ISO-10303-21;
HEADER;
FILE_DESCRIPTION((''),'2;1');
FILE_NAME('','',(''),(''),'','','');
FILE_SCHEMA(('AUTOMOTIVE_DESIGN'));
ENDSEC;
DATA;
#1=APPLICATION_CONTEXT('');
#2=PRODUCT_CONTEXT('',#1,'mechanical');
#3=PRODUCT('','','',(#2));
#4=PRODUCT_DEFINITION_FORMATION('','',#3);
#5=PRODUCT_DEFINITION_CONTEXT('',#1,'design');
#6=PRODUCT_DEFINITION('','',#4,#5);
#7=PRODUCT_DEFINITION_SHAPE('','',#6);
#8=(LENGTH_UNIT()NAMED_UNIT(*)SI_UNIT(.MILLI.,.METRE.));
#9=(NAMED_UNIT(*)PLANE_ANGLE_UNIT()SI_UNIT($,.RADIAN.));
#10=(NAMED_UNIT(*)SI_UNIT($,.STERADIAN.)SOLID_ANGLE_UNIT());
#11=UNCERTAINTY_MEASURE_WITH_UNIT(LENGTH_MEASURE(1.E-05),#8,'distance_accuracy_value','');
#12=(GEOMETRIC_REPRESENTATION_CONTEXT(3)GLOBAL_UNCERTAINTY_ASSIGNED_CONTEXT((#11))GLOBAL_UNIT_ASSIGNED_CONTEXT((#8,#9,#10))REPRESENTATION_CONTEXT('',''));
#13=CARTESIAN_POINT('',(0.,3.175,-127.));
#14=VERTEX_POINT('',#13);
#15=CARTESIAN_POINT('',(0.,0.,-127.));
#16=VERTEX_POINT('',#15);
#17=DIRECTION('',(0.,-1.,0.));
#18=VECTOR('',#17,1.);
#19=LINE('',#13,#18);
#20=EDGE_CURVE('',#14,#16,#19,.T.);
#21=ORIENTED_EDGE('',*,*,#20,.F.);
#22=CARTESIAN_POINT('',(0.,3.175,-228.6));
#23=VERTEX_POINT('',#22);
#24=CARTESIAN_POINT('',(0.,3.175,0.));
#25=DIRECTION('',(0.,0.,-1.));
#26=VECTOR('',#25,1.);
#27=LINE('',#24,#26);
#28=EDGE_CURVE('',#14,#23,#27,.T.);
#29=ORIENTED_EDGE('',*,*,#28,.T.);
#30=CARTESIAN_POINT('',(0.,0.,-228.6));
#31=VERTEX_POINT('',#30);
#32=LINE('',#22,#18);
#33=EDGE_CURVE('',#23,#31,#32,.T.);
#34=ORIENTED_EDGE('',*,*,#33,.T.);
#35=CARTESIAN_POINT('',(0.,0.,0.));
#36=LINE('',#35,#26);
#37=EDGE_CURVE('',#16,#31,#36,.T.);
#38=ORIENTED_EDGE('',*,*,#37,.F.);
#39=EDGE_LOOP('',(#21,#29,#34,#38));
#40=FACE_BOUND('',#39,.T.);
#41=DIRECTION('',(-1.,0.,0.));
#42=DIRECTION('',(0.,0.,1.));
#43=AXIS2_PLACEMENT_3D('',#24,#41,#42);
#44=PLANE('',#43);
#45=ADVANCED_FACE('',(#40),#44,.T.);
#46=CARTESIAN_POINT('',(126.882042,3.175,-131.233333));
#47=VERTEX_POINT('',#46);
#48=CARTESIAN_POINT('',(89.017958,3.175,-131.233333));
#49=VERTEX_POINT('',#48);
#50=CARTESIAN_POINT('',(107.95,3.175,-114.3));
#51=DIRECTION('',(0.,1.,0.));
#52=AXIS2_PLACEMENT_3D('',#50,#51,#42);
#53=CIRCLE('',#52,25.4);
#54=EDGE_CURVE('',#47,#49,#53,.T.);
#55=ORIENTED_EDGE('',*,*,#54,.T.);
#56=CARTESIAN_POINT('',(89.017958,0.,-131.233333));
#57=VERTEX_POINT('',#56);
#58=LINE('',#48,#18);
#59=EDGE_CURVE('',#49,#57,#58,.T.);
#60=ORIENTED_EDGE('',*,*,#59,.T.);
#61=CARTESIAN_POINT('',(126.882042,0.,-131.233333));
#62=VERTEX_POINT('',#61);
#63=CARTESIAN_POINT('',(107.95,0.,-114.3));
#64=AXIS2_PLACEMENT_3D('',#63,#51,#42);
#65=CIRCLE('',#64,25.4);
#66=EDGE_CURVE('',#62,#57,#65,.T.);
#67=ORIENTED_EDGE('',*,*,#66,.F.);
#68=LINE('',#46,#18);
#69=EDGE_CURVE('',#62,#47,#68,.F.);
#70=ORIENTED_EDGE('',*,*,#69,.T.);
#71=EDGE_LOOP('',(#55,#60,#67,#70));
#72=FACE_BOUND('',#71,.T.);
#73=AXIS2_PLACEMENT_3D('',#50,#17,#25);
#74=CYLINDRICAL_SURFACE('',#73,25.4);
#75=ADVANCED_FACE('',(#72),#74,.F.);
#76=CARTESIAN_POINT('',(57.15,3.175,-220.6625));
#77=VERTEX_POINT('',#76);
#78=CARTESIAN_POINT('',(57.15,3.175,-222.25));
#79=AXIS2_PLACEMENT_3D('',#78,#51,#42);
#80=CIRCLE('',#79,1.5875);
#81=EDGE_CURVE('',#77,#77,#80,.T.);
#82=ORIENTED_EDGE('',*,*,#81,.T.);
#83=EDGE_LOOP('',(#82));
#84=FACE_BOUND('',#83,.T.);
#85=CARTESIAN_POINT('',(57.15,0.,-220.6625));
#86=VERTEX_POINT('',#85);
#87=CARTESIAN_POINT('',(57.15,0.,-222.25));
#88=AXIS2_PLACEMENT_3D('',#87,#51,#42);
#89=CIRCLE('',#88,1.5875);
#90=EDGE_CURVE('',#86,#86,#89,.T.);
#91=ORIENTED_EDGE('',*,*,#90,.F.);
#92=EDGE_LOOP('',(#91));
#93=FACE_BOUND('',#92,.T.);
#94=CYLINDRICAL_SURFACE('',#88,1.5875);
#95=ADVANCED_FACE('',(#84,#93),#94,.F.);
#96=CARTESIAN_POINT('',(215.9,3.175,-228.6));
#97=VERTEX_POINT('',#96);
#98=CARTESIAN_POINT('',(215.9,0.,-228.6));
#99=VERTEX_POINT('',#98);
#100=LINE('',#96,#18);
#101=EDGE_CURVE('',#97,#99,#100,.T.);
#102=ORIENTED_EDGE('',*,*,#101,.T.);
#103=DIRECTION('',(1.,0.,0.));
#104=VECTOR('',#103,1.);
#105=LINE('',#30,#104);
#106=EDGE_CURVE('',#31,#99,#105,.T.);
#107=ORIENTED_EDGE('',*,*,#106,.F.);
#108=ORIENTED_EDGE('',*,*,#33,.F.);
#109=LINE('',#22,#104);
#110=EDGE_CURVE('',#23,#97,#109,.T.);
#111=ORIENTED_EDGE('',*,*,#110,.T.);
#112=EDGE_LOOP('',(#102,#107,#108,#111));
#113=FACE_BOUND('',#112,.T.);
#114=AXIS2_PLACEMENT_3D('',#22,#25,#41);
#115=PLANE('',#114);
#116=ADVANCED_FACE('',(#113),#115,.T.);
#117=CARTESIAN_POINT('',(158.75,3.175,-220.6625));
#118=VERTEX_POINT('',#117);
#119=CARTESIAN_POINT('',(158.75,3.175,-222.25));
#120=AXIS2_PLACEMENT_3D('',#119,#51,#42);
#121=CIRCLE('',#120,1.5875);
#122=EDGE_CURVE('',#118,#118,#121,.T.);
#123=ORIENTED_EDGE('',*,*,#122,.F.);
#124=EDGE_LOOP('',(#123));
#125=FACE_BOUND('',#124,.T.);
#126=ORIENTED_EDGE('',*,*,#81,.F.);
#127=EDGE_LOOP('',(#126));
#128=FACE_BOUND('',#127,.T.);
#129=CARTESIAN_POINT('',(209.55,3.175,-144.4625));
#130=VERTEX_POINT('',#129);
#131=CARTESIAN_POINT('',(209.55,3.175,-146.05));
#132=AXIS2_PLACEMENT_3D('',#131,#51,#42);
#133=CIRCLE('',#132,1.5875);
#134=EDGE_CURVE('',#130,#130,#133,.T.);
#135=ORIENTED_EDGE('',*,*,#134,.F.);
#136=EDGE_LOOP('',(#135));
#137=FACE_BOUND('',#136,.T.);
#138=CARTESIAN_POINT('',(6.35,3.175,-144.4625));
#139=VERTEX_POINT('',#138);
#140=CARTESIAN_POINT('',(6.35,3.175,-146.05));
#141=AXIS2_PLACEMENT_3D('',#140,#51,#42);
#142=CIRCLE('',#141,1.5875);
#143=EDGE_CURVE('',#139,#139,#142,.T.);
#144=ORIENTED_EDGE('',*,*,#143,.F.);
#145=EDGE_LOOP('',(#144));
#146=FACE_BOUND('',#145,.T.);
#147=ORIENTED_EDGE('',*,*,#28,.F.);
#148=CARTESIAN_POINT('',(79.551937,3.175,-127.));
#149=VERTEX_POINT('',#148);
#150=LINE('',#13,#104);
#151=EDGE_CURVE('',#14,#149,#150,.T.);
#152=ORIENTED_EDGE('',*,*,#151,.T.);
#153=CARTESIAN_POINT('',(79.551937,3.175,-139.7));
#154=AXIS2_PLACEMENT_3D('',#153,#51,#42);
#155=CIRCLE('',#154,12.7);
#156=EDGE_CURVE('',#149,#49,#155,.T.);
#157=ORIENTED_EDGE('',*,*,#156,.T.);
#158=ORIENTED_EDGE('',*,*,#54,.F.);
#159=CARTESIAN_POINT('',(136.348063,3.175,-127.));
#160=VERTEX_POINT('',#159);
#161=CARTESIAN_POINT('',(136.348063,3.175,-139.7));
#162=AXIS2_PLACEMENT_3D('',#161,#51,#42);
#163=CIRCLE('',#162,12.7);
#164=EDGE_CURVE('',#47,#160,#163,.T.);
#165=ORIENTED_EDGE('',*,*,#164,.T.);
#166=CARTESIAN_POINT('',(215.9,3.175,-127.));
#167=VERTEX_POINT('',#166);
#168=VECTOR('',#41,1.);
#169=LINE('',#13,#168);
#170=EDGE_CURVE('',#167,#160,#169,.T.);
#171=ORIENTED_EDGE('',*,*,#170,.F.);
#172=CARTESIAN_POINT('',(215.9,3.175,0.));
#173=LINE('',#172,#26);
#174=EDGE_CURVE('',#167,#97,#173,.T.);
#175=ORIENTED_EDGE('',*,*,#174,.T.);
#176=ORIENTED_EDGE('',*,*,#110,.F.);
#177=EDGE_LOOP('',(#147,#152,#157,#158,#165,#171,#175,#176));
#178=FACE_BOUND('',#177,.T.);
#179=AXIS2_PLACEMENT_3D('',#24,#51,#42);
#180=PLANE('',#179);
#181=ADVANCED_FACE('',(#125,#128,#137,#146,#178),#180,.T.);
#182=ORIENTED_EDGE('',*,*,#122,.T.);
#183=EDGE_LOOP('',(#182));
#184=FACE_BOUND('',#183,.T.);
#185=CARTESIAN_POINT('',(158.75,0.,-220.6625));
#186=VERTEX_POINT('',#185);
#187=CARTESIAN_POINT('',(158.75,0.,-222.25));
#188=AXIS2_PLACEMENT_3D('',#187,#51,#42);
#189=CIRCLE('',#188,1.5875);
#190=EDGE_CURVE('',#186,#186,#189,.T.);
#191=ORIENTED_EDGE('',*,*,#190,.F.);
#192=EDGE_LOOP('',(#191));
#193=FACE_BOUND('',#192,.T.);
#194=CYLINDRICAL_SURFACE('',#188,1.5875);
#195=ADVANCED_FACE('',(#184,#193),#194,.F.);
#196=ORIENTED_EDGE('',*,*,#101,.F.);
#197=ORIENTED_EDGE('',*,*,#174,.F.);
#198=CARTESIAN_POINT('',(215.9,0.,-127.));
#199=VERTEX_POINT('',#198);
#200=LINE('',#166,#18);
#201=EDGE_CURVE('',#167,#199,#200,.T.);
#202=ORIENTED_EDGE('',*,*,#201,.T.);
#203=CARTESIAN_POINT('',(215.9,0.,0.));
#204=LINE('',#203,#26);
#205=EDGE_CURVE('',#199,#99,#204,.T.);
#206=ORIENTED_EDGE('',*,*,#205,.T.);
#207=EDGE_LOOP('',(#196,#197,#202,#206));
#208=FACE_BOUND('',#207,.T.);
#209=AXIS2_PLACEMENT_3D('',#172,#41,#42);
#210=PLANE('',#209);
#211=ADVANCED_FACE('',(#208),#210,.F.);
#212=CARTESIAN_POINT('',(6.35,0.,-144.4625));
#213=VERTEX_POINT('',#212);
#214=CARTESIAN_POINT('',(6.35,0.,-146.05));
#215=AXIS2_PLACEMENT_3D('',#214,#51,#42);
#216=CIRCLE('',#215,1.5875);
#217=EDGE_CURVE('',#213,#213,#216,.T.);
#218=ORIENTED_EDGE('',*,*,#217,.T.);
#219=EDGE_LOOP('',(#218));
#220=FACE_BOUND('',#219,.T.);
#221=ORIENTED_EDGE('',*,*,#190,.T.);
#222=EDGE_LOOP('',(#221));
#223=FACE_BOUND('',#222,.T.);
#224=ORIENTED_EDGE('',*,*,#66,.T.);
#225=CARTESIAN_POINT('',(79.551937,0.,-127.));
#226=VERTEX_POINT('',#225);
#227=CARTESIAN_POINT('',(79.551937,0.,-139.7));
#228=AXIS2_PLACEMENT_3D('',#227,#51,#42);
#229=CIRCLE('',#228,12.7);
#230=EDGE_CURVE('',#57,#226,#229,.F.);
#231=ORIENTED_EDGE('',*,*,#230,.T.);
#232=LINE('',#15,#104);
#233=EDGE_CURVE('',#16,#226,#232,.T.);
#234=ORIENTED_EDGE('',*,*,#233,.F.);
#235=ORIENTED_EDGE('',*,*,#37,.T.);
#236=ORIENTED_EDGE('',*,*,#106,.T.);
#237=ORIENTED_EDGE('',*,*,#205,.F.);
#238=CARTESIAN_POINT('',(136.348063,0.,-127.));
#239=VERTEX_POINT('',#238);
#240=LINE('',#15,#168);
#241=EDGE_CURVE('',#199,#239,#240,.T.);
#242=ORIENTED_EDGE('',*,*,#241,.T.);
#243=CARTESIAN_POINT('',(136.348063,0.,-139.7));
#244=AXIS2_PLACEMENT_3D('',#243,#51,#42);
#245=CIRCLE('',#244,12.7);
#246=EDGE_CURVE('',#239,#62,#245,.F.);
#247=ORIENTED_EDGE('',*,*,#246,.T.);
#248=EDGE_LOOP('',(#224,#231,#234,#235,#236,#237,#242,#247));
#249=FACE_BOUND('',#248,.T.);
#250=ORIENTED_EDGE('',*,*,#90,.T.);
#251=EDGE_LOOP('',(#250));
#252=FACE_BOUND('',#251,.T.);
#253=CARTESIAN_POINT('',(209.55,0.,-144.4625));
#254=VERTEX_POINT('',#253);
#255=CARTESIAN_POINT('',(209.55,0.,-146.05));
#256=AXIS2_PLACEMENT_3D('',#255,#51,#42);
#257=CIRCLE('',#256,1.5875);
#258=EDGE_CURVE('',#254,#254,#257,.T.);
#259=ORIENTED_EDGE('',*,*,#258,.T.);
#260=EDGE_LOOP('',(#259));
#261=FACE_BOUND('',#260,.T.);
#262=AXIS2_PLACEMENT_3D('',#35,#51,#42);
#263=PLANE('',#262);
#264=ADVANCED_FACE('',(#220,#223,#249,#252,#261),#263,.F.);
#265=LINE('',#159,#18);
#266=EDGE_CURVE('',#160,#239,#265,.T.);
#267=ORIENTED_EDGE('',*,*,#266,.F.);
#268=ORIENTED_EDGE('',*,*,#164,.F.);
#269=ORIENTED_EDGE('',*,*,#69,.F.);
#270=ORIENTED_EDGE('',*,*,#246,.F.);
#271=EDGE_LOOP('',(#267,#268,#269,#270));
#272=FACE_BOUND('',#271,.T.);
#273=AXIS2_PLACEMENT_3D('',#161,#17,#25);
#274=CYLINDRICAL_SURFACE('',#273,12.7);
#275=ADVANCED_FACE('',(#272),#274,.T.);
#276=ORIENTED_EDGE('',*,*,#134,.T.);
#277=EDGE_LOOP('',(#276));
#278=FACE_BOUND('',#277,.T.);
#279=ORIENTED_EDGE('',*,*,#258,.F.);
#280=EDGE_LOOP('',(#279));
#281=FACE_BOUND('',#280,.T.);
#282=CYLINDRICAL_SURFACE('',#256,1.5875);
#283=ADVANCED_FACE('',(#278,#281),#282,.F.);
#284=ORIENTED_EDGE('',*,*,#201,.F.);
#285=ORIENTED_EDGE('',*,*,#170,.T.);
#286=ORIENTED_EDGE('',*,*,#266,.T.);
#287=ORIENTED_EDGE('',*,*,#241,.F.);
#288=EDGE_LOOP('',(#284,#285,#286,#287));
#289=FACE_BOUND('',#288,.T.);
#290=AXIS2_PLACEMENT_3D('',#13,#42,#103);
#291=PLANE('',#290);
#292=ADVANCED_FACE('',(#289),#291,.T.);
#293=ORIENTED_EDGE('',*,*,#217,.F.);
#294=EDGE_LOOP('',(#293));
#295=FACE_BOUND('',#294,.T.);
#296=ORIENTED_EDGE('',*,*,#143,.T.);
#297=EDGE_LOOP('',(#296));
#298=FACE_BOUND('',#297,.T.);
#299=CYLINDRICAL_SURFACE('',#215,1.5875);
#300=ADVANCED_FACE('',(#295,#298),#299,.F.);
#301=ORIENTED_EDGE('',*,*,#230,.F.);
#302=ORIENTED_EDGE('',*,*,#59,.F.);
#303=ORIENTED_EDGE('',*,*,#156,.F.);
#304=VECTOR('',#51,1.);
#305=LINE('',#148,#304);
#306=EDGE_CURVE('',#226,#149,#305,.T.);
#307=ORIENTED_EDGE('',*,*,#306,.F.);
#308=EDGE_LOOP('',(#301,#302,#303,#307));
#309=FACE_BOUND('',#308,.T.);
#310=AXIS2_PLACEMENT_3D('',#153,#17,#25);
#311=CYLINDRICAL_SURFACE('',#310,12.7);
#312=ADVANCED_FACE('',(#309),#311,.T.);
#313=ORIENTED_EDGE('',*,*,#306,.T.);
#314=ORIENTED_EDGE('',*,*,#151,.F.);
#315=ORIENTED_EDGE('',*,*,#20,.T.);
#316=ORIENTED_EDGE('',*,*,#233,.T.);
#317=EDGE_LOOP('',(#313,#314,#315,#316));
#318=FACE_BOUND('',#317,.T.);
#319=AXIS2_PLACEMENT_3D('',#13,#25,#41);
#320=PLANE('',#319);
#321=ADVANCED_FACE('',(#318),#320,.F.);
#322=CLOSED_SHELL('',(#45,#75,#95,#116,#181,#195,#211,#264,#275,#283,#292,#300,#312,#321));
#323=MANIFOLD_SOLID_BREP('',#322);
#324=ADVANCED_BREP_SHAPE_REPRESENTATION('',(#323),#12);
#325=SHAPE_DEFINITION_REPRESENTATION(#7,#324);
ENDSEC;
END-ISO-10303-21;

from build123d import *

# Parameters (mm, degrees)
BOSS_EXTRUDE1_DEPTH = 3.175
FILLET1_R           = 12.7
SKETCH2_R           = 1.5875
CUT_EXTRUDE1_DEPTH  = 315.453256661


with BuildPart() as part:
    # Sketch1 → Boss-Extrude1 (new body)
    with BuildSketch(Plane(origin=(0, 0, 0), x_dir=(1, 0, 0), z_dir=(0, 1, 0))):
        with BuildLine():
            Line((0, 228.6), (0, 127))
            Line((0, 127), (85.952954744, 127))
            ThreePointArc((85.952954744, 127), (107.95, 139.7), (129.947045256, 127))
            Line((129.947045256, 127), (215.9, 127))
            Line((215.9, 127), (215.9, 228.6))
            Line((215.9, 228.6), (0, 228.6))
        make_face()
    extrude(amount=BOSS_EXTRUDE1_DEPTH)

    # Fillet1
    fillet1_edges = [part.edges().sort_by_distance(p)[0] for p in [
        (85.952954744, 1.5875, -127),
        (129.947045256, 1.5875, -127),
    ]]
    fillet(fillet1_edges, radius=FILLET1_R)

    # Sketch2 → Cut-Extrude1 (cut, through all)
    with BuildSketch(Plane(origin=(0, 3.175, 0), x_dir=(1, 0, 0), z_dir=(0, 1, 0))):
        with Locations(Location((6.35, 146.05, 0), (0, 0, 270))):
            Circle(SKETCH2_R)
        with Locations(Location((57.15, 222.25, 0), (0, 0, 270))):
            Circle(SKETCH2_R)
        with Locations(Location((158.75, 222.25, 0), (0, 0, 270))):
            Circle(SKETCH2_R)
        with Locations(Location((209.55, 146.05, 0), (0, 0, 270))):
            Circle(SKETCH2_R)
    extrude(amount=-CUT_EXTRUDE1_DEPTH, mode=Mode.SUBTRACT)


solid = part.part
